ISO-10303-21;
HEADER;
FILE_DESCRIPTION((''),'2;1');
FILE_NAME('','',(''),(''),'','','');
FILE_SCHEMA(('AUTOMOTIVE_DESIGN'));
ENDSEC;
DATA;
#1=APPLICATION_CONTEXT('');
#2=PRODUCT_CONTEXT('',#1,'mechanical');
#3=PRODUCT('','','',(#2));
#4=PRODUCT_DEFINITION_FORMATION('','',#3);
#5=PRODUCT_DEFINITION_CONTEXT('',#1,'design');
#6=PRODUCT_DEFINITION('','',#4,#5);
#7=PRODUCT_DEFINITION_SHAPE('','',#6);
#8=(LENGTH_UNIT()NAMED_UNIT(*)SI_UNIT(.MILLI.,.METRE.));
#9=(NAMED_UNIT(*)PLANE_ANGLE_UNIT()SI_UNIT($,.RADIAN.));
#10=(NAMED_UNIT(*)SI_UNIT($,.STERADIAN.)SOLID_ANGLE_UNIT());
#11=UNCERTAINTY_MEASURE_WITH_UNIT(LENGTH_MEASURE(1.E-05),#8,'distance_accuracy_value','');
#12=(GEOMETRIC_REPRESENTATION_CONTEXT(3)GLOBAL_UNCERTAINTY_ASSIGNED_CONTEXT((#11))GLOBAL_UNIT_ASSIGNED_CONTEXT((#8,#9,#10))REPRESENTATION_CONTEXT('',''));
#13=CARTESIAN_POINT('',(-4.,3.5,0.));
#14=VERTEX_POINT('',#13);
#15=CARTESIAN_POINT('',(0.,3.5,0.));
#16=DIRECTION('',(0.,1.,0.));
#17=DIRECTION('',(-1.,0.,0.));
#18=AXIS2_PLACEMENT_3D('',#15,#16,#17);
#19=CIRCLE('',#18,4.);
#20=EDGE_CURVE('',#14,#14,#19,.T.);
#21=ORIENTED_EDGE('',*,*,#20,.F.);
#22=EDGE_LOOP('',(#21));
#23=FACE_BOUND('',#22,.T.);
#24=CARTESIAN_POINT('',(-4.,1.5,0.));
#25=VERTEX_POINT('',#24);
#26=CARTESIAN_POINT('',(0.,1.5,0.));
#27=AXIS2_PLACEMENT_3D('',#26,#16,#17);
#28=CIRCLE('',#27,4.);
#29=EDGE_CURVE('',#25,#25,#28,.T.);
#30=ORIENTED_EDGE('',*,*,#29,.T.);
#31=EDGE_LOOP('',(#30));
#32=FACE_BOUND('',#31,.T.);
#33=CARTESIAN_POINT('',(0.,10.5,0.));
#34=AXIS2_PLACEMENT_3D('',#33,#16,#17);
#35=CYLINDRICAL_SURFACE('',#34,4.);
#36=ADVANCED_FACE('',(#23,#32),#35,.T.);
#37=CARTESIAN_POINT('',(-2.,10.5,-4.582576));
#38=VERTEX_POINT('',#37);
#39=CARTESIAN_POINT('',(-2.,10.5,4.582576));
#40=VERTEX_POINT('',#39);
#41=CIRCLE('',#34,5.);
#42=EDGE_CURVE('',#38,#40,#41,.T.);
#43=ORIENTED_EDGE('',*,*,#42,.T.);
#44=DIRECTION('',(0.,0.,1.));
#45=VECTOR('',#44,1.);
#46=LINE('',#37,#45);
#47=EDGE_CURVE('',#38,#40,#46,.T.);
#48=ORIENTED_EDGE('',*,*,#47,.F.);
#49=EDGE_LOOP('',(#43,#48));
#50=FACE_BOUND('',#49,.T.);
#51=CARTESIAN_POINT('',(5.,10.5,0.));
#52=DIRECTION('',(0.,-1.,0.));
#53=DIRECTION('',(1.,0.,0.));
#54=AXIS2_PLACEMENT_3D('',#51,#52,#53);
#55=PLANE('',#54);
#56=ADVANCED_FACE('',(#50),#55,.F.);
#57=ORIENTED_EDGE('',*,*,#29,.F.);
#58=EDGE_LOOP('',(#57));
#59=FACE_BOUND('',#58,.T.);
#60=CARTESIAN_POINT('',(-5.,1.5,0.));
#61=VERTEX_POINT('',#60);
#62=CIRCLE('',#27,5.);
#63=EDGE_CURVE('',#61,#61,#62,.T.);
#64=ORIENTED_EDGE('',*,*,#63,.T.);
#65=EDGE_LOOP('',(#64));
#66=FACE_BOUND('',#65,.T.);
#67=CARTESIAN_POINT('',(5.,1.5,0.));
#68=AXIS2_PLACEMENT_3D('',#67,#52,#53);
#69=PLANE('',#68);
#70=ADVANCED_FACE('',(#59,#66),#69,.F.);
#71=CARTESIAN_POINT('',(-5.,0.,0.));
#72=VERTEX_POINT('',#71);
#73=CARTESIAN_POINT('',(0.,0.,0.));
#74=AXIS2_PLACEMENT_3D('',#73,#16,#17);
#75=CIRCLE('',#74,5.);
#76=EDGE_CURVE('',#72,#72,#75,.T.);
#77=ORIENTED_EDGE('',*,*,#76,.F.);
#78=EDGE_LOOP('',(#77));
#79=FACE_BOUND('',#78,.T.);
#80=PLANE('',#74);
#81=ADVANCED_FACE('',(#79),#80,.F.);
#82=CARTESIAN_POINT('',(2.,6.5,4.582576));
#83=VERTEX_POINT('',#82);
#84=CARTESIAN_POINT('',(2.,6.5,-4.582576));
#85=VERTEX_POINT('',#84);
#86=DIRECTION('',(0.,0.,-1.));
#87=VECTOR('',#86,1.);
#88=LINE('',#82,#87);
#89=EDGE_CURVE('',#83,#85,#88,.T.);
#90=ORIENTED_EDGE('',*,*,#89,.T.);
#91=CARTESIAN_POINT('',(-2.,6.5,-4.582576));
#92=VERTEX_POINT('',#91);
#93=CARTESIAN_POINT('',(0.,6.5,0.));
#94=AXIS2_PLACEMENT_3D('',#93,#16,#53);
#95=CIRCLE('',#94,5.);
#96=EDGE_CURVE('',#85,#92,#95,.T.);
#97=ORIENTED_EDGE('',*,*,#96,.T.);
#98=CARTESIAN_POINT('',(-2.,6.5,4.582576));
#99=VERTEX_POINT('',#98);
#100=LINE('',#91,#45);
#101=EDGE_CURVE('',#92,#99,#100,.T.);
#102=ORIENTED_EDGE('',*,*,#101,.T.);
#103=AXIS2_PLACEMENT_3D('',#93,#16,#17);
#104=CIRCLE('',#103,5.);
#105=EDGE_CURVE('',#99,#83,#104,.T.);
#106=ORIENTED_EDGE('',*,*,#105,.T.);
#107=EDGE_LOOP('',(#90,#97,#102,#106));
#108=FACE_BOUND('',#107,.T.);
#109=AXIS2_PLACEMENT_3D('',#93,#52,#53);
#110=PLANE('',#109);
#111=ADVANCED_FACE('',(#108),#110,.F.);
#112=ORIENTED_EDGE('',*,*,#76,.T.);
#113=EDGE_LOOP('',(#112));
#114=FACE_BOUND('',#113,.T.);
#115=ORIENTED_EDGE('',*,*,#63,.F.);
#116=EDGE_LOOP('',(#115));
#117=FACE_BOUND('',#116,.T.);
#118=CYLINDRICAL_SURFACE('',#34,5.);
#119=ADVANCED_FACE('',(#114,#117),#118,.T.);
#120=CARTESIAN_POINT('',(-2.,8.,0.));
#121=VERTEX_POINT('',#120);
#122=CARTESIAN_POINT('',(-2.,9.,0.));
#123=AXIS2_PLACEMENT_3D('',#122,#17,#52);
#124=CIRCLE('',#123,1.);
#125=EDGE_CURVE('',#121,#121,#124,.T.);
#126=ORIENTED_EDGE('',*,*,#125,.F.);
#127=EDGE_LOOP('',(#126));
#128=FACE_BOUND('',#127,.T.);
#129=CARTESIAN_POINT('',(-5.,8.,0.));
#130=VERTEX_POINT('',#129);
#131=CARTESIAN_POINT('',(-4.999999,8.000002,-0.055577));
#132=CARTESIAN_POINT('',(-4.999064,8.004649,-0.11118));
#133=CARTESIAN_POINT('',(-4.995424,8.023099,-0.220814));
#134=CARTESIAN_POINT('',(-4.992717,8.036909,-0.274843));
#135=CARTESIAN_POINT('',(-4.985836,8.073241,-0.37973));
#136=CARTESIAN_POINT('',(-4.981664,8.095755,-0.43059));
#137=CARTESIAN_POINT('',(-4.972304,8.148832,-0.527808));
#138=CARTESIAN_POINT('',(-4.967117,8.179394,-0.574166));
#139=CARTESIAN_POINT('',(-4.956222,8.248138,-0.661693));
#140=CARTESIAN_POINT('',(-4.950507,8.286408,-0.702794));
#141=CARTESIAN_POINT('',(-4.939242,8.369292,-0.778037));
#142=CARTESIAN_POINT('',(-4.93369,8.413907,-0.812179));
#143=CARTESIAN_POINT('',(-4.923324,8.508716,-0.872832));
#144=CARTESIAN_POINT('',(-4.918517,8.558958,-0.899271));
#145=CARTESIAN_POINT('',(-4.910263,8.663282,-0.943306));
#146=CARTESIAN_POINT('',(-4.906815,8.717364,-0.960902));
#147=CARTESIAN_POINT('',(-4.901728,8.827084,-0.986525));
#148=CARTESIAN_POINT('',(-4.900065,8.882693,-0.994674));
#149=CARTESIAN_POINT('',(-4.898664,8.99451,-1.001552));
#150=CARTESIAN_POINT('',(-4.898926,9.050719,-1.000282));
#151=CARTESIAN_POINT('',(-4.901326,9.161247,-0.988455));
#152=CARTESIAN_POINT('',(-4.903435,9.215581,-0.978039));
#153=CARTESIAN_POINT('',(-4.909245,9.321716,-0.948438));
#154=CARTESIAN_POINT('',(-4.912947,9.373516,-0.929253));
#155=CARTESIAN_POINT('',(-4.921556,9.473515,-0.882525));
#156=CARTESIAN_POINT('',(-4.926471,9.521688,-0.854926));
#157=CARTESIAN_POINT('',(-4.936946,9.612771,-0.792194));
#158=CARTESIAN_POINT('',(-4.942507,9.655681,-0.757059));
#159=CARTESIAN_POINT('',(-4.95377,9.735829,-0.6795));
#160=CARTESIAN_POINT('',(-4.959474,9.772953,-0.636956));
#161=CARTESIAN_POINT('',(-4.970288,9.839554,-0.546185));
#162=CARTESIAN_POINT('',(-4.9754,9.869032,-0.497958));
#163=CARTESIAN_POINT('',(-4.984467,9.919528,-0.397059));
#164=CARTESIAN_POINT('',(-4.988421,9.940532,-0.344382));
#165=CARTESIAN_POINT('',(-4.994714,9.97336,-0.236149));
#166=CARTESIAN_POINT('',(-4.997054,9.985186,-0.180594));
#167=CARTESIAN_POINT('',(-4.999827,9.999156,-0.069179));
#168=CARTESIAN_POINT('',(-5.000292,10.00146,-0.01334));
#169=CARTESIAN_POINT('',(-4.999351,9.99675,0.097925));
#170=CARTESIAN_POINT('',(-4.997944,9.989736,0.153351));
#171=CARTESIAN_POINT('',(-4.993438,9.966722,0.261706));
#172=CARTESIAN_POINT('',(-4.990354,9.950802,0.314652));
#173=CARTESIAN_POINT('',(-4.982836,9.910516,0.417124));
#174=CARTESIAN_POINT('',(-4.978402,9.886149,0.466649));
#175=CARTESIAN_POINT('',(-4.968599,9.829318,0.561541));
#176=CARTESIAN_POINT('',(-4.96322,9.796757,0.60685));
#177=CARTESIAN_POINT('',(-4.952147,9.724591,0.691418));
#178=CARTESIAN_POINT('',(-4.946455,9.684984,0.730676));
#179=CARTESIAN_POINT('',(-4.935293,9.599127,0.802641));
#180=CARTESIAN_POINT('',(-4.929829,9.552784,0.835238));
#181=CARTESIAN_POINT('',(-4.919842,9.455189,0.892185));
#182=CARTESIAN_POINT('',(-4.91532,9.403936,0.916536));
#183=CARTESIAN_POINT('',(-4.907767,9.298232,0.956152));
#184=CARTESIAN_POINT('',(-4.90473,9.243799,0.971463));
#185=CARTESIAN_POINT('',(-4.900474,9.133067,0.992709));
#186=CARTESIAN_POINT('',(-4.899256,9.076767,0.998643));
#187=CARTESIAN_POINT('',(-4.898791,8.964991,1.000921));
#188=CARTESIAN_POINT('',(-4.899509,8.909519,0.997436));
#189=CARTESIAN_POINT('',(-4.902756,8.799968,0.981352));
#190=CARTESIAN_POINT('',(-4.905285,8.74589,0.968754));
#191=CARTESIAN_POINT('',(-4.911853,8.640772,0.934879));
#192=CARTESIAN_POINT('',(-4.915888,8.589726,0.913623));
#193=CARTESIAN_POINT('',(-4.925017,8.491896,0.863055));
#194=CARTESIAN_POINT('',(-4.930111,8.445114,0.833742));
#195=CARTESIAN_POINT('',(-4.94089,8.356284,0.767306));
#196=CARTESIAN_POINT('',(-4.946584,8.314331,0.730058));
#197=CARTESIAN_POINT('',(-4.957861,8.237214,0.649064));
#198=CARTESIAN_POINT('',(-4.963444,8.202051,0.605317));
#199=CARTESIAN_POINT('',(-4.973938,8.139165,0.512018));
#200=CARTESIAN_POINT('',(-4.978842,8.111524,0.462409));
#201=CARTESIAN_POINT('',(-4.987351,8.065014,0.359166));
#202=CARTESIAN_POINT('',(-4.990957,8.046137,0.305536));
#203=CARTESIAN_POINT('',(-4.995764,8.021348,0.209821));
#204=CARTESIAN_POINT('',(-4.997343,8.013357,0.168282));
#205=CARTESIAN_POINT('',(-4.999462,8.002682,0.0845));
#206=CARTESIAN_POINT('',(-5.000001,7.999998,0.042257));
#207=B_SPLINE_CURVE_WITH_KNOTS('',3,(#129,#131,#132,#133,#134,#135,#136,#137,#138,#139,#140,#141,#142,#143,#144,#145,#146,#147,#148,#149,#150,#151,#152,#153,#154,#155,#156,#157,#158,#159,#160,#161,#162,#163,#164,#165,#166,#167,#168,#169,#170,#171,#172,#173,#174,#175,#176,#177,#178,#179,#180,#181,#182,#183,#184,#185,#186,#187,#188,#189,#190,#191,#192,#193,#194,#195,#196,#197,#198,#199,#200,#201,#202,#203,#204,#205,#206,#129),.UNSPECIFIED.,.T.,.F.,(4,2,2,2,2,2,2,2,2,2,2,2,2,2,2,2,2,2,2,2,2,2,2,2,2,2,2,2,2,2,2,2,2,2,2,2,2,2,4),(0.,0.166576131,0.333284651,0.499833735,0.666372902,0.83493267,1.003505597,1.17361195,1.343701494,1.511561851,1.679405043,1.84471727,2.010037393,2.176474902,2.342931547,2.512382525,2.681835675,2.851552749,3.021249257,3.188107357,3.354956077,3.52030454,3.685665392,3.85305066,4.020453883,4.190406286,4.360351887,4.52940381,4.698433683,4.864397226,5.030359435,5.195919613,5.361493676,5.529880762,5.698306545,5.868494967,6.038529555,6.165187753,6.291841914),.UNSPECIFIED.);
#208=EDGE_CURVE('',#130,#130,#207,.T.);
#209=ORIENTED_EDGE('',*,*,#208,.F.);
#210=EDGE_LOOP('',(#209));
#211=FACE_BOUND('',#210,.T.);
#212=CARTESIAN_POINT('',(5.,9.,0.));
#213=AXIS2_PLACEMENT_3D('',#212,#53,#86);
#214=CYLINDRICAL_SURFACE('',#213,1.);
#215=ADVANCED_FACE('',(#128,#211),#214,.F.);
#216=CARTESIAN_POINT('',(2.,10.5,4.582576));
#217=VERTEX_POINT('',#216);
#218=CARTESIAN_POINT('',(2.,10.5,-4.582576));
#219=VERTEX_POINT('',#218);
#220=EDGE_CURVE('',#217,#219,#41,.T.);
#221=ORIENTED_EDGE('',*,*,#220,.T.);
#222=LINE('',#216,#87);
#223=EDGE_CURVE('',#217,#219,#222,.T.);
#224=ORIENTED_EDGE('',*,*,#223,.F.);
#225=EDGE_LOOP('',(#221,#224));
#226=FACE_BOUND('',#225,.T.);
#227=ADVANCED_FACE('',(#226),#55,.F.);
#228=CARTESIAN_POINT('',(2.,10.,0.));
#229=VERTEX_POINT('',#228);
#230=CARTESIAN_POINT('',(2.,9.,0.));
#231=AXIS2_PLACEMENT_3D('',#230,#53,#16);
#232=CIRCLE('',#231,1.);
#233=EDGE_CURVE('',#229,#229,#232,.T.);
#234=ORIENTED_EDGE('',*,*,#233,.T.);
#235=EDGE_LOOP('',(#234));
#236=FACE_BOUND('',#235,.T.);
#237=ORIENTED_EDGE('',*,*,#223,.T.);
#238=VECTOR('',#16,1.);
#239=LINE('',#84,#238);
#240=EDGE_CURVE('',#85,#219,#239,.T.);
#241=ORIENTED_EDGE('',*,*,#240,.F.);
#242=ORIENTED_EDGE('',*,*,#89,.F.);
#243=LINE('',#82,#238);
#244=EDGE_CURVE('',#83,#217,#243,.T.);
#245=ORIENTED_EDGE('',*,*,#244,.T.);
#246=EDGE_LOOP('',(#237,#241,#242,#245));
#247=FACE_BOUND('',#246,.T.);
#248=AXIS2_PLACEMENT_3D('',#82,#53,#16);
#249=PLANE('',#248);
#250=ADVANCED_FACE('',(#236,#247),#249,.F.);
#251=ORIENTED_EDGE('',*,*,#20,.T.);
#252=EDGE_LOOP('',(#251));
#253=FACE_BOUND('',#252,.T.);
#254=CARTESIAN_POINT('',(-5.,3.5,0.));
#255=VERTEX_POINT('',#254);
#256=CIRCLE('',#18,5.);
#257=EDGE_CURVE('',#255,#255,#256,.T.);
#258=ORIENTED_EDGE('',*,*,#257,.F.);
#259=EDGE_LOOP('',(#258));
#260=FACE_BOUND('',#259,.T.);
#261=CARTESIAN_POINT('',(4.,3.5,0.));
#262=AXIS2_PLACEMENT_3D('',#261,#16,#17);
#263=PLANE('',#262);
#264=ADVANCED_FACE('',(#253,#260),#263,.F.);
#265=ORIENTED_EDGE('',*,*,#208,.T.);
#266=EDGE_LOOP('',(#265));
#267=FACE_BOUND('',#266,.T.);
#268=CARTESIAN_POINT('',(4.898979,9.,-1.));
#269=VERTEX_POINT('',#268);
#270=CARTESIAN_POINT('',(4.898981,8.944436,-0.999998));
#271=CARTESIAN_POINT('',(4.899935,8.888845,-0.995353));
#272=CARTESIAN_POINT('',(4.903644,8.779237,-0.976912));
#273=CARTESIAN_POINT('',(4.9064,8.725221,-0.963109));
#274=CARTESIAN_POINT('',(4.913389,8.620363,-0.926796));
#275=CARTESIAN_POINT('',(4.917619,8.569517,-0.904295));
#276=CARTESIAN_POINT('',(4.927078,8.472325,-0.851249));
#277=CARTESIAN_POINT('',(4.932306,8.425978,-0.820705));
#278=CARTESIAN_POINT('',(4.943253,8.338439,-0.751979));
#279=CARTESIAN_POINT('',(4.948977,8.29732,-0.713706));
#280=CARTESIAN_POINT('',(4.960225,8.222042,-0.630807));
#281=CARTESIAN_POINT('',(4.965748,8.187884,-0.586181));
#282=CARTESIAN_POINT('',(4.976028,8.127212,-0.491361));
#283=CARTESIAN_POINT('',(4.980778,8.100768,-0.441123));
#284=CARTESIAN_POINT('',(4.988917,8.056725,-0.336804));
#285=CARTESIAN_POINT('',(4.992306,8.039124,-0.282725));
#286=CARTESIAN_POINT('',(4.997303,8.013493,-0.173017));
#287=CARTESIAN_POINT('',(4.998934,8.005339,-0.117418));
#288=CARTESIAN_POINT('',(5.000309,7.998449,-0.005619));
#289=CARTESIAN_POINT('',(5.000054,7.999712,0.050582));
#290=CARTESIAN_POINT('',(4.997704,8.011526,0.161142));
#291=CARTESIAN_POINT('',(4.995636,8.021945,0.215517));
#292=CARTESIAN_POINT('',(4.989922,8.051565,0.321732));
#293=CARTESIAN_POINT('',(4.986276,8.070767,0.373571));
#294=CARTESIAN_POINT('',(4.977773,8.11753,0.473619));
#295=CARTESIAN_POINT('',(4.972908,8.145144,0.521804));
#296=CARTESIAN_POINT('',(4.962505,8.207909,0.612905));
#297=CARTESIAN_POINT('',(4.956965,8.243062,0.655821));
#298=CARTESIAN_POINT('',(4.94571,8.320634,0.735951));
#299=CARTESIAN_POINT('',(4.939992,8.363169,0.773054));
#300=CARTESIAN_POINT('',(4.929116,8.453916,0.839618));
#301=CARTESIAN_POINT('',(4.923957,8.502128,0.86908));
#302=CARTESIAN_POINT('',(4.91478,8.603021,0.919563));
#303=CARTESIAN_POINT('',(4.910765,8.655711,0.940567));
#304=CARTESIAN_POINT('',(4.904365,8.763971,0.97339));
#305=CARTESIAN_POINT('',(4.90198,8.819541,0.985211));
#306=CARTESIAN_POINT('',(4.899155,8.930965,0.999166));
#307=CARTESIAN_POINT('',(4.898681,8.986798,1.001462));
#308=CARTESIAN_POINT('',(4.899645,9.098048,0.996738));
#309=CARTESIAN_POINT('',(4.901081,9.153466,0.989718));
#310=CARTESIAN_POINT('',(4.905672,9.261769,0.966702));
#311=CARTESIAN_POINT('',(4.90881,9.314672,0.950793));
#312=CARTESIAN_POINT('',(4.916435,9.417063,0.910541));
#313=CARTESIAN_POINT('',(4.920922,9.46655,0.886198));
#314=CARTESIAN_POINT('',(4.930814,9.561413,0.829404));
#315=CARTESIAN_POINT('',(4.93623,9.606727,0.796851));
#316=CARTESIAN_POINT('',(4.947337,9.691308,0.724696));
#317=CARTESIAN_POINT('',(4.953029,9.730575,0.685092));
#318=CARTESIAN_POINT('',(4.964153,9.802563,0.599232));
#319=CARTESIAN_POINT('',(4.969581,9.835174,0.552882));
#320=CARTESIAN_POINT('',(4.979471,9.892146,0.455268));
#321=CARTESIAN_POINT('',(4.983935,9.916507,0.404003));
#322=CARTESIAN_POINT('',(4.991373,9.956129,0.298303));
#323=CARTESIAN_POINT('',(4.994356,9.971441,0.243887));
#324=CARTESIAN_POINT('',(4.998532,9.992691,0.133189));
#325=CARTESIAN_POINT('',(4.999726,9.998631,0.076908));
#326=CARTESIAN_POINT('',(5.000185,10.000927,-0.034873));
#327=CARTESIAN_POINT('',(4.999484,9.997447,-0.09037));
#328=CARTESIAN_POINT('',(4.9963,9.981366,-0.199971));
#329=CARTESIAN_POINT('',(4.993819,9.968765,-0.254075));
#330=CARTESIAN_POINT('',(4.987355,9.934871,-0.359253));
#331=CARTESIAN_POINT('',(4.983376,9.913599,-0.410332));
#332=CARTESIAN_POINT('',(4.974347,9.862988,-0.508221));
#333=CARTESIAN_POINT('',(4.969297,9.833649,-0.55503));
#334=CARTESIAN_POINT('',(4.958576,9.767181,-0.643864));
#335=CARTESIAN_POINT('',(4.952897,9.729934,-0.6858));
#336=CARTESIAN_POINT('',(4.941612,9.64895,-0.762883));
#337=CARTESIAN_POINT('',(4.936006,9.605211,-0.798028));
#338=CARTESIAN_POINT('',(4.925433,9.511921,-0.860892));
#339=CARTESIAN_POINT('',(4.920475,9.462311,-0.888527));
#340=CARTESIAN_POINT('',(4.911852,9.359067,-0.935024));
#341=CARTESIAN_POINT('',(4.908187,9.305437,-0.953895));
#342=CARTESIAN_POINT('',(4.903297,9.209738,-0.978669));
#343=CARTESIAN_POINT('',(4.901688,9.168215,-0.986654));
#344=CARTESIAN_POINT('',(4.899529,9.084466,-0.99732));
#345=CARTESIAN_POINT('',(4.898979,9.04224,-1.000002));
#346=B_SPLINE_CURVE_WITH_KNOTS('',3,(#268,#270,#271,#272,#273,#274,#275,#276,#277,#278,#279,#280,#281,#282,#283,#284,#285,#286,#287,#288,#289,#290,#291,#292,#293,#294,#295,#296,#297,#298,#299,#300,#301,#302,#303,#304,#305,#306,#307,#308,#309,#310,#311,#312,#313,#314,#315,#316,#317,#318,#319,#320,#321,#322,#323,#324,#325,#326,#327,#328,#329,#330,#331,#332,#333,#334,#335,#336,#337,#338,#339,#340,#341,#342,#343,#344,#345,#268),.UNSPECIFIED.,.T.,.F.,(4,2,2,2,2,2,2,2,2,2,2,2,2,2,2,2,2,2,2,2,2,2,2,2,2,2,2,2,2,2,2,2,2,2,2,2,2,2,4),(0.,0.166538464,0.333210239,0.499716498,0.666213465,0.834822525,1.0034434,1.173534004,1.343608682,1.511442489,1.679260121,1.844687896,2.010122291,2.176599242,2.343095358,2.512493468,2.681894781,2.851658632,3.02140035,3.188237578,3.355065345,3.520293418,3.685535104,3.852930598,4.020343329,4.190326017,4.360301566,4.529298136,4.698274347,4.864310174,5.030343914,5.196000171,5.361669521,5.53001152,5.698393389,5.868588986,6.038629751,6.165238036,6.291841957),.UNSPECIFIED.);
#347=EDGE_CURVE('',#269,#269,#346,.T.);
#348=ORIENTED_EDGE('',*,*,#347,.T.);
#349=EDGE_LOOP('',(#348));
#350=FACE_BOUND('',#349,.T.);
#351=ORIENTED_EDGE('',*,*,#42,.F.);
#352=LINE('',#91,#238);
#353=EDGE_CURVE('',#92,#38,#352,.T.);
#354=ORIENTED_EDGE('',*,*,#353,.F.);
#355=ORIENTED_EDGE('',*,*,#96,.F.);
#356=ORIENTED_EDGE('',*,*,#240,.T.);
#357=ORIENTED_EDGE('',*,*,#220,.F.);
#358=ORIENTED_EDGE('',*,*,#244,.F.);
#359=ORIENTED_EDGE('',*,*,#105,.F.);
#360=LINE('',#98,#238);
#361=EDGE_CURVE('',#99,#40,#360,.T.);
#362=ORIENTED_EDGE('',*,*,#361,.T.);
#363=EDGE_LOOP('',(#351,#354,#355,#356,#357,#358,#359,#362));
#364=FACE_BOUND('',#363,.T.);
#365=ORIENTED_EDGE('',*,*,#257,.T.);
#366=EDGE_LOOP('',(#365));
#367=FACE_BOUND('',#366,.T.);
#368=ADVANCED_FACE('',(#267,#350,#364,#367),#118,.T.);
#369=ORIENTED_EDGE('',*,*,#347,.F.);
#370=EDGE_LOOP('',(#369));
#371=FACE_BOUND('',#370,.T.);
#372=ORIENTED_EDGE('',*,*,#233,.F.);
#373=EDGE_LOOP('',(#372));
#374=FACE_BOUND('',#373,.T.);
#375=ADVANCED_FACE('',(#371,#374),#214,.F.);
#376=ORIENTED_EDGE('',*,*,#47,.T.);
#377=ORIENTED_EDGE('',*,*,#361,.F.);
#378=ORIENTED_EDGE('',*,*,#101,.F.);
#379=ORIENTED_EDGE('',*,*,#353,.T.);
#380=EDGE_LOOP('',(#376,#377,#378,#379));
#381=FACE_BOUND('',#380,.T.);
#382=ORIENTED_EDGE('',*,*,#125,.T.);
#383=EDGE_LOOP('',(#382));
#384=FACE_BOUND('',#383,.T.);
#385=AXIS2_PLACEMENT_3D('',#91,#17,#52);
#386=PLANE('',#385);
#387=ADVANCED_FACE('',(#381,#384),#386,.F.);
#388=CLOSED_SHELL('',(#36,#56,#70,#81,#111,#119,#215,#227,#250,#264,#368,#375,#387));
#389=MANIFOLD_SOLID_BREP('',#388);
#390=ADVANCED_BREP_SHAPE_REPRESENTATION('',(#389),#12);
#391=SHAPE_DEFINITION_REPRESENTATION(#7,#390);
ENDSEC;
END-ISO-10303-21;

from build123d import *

# Parameters (mm, degrees)
CUT_EXTRUDE1_DEPTH    = 4
F_2_0MM_DOWEL_HOLE1_D = 2


with BuildPart() as part:
    # Sketch2 → Revolve1 (revolve)
    with BuildSketch(Plane.XY, mode=Mode.PRIVATE) as revolve1_sk:
        Polygon((0, 0), (5, 0), (5, 1.5), (4, 1.5), (4, 3.5), (5, 3.5), (5, 10.5), (0, 10.5), align=None)
    revolve(revolve1_sk.sketch.rotate(Axis((0, 10.5, 0), (0, -1, 0)), 180), axis=Axis((0, 10.5, 0), (0, -1, 0)))

    # Sketch3 → Cut-Extrude1 (cut)
    with BuildSketch(Plane(origin=(0, 10.5, 0), x_dir=(1, 0, 0), z_dir=(0, 1, 0))):
        with BuildLine():
            Line((-2, 4.582575695), (-2, -4.582575695))
            ThreePointArc((-2, -4.582575695), (0, -5), (2, -4.582575695))
            Line((2, -4.582575695), (2, 4.582575695))
            ThreePointArc((2, 4.582575695), (0, 5), (-2, 4.582575695))
        make_face()
    extrude(amount=-CUT_EXTRUDE1_DEPTH, mode=Mode.SUBTRACT)

    # Ø2.0mm Dowel Hole1 (through all)
    with Locations(Plane(origin=(5, 0, 0), x_dir=(0, 0, -1), z_dir=(1, 0, 0))):
        with Locations((0, 9)):
            Hole(F_2_0MM_DOWEL_HOLE1_D / 2)


solid = part.part
